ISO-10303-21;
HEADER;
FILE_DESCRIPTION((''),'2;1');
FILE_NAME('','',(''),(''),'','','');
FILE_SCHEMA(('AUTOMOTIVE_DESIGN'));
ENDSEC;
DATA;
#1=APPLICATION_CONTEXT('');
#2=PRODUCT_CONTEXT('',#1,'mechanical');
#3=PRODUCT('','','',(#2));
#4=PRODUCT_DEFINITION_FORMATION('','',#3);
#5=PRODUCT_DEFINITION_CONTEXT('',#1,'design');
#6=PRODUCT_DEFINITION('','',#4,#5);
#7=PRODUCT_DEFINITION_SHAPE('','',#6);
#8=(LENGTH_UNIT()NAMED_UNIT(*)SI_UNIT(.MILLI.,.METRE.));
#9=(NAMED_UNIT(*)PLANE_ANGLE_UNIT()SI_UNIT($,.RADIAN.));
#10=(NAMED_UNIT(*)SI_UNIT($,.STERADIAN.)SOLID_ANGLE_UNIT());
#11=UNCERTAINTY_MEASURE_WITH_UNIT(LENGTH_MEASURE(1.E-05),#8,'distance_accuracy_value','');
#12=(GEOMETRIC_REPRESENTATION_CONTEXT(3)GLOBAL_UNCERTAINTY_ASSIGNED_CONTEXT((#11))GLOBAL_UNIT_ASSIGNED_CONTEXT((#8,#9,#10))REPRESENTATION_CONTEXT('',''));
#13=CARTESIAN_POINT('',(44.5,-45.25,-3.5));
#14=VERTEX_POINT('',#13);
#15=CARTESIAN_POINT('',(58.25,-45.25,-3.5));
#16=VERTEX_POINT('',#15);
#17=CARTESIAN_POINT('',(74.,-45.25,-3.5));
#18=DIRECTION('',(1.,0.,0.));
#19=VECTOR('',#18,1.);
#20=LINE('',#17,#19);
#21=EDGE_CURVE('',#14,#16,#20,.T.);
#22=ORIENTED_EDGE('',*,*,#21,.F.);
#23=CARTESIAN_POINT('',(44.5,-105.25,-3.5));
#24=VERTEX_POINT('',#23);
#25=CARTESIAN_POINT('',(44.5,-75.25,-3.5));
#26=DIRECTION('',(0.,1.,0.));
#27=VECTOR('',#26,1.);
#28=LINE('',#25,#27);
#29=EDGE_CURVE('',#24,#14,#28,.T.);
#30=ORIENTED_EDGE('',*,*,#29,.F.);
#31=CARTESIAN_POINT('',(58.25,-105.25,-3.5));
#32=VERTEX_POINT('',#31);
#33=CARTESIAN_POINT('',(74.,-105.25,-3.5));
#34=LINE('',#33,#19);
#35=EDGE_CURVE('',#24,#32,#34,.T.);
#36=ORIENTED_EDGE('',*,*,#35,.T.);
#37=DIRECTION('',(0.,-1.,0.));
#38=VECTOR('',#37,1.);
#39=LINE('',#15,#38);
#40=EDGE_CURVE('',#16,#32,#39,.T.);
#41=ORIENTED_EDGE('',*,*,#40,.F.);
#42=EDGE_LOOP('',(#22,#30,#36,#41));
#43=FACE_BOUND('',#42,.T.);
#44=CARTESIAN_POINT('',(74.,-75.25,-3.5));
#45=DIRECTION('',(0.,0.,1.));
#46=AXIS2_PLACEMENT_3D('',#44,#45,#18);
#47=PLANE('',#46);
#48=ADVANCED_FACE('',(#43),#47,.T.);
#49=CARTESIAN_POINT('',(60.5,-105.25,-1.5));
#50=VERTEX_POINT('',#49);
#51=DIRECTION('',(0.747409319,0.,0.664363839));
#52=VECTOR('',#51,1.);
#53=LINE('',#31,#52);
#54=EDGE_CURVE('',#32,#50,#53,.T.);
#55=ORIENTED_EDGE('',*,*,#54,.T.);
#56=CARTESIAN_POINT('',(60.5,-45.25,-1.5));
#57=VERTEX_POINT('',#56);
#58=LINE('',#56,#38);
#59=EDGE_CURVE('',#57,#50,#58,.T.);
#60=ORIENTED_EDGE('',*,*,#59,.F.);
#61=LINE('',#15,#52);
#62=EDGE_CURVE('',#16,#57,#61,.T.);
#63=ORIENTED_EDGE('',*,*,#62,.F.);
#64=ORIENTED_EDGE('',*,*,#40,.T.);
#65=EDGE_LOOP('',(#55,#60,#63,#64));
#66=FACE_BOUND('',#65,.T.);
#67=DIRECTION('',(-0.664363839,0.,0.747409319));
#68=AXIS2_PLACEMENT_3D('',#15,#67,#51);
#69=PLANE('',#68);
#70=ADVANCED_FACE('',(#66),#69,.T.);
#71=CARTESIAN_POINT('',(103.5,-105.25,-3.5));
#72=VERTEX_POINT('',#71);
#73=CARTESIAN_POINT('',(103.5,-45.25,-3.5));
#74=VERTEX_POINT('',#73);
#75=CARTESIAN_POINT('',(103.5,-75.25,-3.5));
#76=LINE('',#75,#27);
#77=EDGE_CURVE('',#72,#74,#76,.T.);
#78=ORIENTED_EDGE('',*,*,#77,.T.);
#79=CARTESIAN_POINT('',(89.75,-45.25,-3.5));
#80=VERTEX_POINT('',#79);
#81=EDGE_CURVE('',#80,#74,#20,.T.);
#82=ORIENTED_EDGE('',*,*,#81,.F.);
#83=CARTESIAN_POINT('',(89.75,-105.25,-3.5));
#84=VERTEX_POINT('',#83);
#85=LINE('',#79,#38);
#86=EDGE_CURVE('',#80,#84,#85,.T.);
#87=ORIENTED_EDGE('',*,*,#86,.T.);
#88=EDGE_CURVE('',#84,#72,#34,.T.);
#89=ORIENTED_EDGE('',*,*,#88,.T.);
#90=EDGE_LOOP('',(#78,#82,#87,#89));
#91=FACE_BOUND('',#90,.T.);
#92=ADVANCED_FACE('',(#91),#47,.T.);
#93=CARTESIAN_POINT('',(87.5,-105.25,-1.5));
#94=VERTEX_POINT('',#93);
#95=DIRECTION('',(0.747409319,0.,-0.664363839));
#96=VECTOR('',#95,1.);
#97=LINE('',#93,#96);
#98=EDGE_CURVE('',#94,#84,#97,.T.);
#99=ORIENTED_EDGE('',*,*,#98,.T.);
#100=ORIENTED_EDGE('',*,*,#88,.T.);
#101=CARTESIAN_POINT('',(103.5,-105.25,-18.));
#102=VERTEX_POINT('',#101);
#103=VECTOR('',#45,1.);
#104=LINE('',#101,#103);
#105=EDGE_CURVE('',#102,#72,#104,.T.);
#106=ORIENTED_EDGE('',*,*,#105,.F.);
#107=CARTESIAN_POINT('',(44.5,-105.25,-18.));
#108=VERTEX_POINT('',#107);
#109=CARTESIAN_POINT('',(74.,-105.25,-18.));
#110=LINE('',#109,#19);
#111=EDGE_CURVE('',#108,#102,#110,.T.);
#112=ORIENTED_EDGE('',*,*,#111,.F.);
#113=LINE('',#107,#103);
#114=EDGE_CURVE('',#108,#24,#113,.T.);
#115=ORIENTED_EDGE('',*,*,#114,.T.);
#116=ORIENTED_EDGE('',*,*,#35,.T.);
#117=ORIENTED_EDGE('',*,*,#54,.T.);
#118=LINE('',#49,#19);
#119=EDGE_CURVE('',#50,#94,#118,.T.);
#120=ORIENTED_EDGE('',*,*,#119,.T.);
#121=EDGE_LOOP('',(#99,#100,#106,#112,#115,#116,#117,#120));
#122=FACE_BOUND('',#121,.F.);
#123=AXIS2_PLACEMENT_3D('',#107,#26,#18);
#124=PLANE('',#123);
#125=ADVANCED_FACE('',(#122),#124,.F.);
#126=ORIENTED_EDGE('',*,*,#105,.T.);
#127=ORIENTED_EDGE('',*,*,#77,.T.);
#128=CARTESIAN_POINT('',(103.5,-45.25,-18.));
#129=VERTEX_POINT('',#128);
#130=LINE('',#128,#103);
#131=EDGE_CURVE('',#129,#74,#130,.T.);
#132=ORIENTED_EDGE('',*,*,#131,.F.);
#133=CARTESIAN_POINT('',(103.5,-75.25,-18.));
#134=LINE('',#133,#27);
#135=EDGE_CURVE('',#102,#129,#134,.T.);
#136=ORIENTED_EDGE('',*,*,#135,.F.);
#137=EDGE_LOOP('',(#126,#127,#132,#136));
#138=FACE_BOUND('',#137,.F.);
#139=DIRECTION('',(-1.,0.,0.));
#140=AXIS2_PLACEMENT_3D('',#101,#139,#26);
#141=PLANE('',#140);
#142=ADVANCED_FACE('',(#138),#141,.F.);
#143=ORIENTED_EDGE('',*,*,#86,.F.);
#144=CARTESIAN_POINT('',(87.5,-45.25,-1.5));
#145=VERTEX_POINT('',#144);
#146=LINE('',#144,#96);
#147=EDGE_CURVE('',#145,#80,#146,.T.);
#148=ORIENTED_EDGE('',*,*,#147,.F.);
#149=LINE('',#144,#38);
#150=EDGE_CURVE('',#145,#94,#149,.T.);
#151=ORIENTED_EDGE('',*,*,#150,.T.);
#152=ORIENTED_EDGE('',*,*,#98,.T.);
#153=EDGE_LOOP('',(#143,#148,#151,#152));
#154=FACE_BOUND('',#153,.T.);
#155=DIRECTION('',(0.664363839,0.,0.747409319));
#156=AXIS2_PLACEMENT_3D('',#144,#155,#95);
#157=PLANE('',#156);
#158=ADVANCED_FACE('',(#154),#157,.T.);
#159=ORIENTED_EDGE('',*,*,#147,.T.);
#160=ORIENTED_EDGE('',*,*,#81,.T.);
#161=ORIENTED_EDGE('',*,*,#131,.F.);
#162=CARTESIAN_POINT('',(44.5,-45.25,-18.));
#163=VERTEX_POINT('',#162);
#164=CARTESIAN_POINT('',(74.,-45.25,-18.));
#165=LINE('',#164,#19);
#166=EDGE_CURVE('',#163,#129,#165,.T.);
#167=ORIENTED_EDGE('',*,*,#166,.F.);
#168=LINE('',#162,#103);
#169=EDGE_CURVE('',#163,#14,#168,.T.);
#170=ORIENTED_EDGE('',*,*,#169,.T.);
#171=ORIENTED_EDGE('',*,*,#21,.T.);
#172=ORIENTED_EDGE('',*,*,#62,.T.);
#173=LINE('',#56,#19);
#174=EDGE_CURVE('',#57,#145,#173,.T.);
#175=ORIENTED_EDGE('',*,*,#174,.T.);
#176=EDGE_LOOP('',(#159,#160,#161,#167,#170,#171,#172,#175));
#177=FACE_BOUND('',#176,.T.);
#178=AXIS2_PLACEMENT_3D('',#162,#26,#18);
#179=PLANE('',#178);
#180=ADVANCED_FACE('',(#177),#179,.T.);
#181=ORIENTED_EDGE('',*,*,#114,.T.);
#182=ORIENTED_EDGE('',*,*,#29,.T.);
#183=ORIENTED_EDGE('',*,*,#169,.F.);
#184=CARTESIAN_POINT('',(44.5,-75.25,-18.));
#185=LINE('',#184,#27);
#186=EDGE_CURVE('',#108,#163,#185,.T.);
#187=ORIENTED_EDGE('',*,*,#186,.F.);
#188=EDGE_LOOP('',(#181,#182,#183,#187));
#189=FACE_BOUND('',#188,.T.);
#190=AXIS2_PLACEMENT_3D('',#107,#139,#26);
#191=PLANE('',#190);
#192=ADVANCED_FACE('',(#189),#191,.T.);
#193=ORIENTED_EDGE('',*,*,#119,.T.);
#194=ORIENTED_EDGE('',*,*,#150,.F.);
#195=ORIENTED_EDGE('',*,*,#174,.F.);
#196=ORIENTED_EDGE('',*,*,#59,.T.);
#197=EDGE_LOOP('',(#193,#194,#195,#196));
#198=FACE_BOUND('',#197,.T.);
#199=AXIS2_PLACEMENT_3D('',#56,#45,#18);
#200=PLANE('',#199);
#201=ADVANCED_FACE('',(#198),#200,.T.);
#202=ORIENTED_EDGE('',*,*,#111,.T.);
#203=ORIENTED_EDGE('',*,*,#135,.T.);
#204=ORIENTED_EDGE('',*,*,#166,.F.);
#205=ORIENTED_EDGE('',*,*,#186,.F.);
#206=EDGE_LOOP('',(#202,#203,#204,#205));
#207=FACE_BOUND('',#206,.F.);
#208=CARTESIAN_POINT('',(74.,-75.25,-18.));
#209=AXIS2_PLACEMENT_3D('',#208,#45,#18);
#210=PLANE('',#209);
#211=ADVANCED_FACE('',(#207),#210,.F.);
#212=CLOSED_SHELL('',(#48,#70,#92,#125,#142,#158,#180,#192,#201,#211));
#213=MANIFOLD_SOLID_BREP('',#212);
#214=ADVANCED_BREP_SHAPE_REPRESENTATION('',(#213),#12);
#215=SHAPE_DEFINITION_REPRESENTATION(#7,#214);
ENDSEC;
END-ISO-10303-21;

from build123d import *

# Parameters (mm, degrees)
EXTRUDE016_DEPTH = 60
BOX014_W         = 59
BOX014_H         = 60
BOX014_DEPTH     = 14.5


with BuildPart() as cpu_cooler_top:
    # Sketch001005021 (on Face4 of Box014) → Extrude016 (new body)
    with BuildSketch(Plane(origin=(44.5, -45.25, -18), x_dir=(-1, 0, 0), z_dir=(0, 1, 0))):
        Polygon((-45.25, 14.5), (-13.75, 14.5), (-16, 16.5), (-43, 16.5), align=None)
    extrude(amount=-EXTRUDE016_DEPTH)


with BuildPart() as cpu_cooler:
    # Box014 → Box014 (new body)
    with BuildSketch(Plane(origin=(44.5, -105.25, -18), x_dir=(1, 0, 0), z_dir=(0, 0, 1))):
        with Locations((29.5, 30)):
            Rectangle(BOX014_W, BOX014_H)
    extrude(amount=BOX014_DEPTH)

    # Fusion036: union CPU-Cooler-Top
    add(cpu_cooler_top.part)


solid = cpu_cooler.part
